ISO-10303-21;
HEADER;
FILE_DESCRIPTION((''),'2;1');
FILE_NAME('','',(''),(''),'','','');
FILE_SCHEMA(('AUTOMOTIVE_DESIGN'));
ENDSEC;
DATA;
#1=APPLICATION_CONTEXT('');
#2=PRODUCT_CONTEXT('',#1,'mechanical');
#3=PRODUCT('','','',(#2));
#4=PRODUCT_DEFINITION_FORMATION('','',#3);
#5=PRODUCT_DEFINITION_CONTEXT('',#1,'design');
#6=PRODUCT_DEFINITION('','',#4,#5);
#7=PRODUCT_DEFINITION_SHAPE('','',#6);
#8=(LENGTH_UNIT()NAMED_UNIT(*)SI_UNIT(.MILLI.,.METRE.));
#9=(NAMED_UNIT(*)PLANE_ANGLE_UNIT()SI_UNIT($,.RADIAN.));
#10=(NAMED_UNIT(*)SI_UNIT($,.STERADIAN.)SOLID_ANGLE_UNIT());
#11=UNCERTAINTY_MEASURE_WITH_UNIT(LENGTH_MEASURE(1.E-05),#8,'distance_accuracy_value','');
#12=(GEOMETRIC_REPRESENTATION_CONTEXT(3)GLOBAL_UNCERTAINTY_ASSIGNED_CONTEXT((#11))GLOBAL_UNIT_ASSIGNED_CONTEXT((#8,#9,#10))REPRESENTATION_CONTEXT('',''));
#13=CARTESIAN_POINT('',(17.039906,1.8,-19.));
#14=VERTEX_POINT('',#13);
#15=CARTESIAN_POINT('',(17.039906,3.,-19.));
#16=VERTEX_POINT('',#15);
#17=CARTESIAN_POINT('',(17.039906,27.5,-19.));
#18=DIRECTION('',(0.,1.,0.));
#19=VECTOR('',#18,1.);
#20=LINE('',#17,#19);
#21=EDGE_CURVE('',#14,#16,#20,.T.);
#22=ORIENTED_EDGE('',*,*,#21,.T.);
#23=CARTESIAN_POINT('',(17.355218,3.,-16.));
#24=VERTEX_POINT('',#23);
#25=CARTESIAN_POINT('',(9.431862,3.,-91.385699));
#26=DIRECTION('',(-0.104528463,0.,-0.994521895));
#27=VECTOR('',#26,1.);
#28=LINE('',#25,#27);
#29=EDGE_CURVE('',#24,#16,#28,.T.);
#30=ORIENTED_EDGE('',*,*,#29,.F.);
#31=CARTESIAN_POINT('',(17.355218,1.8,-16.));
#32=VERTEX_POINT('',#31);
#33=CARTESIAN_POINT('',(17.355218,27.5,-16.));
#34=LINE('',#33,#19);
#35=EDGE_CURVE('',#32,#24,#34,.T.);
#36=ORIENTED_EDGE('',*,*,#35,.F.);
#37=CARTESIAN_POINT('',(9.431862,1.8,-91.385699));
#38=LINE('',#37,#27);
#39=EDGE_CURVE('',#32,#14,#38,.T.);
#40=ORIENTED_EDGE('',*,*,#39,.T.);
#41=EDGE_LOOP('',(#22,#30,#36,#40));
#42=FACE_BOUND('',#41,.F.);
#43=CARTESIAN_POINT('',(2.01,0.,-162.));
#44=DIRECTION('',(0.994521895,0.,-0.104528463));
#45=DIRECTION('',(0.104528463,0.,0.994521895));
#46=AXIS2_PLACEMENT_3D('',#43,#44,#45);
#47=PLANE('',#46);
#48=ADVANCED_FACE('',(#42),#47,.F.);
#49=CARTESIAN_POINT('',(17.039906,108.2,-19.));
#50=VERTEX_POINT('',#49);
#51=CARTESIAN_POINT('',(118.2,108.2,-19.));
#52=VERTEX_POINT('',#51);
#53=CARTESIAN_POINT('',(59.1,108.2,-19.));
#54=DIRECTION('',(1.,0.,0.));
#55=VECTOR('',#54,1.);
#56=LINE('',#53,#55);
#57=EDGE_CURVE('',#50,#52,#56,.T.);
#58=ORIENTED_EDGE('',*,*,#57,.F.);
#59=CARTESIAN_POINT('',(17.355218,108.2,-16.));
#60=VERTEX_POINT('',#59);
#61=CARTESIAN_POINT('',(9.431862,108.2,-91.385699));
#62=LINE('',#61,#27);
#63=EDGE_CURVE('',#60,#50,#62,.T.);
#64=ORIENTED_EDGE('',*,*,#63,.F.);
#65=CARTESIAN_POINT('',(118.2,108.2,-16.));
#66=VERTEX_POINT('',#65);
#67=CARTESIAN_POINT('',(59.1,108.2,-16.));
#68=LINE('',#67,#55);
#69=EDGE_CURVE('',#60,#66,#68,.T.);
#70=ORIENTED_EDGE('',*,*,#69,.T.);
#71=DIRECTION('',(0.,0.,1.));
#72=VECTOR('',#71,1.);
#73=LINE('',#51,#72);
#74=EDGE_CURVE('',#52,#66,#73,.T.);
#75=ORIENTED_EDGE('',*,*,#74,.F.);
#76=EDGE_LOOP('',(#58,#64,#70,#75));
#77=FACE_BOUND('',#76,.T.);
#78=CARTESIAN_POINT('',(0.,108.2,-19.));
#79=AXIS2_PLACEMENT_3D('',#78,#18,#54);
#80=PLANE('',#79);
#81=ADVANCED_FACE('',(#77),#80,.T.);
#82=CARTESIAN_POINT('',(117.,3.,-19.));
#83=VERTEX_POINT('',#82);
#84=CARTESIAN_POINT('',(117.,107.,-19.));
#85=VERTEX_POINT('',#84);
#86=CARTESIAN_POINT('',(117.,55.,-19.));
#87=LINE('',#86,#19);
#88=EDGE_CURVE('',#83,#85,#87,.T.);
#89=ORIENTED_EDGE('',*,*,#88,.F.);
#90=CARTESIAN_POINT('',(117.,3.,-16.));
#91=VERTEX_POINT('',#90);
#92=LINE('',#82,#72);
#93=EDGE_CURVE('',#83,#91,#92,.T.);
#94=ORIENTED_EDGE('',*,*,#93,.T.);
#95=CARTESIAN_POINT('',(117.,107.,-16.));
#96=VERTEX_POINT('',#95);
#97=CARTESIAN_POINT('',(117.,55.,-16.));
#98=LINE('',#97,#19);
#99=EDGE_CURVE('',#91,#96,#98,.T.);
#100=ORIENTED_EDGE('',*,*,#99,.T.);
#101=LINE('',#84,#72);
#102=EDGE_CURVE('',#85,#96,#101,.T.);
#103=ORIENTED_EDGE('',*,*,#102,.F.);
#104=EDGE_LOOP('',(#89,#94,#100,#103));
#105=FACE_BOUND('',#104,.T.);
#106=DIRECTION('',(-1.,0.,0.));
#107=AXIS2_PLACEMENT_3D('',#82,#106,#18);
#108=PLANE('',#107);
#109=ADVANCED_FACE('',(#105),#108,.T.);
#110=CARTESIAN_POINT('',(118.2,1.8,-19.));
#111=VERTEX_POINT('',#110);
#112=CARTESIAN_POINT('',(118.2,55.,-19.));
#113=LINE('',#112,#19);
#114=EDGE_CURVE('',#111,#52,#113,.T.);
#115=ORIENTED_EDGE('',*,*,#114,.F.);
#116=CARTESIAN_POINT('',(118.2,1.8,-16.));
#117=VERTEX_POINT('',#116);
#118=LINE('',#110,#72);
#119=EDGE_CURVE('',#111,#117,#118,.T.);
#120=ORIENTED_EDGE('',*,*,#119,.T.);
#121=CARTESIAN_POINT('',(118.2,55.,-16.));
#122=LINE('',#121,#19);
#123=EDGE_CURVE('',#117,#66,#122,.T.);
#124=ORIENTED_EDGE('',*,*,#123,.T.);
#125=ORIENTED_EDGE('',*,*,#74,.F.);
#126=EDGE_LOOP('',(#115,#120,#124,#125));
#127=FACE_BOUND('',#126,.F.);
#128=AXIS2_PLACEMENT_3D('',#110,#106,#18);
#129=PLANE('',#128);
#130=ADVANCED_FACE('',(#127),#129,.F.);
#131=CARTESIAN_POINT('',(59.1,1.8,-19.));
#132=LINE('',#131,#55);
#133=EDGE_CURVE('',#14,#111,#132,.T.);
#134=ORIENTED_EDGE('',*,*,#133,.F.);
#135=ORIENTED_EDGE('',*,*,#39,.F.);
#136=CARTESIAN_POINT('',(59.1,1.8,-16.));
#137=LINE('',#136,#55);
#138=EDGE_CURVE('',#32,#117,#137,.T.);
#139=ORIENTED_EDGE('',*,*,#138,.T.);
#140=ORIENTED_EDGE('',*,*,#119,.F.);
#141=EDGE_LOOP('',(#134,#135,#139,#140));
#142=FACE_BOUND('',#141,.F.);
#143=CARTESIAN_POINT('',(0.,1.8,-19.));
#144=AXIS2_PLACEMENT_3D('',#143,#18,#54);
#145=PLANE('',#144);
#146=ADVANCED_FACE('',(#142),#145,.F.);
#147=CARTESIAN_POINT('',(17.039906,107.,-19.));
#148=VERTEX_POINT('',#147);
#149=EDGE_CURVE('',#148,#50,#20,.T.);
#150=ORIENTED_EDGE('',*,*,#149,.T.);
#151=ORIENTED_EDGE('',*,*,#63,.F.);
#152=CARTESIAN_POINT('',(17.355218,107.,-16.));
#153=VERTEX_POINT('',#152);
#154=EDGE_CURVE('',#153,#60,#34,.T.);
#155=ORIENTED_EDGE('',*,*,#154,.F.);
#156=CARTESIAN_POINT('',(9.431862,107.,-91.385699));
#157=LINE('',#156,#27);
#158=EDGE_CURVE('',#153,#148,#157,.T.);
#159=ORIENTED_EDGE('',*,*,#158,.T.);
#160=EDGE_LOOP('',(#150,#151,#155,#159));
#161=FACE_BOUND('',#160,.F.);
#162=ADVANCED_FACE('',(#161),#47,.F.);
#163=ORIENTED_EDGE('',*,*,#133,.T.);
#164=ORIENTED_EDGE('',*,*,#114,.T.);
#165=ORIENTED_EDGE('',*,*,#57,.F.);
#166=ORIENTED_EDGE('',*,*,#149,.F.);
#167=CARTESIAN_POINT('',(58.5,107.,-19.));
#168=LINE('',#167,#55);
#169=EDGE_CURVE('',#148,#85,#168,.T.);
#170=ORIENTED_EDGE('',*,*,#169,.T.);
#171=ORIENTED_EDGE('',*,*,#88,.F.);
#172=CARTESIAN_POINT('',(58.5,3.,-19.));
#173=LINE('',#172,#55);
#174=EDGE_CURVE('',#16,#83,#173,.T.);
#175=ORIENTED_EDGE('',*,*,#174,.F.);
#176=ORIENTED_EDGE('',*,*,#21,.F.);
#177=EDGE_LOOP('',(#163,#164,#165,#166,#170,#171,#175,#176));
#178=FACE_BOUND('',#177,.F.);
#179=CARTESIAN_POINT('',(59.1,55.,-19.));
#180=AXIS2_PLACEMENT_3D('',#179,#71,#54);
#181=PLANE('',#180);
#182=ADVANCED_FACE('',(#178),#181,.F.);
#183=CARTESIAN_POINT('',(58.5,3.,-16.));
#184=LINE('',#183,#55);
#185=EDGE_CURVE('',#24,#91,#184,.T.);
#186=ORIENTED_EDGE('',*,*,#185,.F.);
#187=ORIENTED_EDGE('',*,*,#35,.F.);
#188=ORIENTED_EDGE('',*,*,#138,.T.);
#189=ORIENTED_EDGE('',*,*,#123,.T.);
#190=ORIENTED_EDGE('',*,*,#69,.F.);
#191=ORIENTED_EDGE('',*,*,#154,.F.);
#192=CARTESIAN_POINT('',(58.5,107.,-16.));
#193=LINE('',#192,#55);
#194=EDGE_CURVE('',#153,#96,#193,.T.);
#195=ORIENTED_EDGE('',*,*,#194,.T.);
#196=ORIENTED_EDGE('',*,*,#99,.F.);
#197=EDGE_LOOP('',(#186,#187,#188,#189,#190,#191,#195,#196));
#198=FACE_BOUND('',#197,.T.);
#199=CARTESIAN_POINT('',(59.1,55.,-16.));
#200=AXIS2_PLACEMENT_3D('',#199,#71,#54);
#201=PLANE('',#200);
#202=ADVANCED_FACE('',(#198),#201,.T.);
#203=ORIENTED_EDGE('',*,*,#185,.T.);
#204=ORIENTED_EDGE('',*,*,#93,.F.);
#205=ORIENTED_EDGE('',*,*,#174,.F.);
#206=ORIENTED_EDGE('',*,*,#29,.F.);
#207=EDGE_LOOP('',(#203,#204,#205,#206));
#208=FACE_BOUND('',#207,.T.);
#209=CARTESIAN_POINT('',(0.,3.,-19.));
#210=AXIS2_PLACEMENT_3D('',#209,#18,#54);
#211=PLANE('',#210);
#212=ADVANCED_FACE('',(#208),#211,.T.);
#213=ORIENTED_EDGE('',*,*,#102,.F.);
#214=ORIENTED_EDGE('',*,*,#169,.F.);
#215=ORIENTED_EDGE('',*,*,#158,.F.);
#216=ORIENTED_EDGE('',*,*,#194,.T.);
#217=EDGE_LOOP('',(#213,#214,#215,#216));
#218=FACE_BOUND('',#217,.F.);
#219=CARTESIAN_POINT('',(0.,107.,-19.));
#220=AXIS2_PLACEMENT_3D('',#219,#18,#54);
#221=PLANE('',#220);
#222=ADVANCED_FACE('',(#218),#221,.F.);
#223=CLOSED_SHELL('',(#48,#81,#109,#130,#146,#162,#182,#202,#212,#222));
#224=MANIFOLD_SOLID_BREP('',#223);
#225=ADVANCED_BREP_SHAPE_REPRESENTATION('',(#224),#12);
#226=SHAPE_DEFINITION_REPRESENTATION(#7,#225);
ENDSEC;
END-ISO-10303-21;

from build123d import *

# Parameters (mm, degrees)
PAD006_DEPTH = 110
BOX051_W     = 117
BOX051_H     = 104
BOX051_DEPTH = 3
BOX050_W     = 118.2
BOX050_H     = 106.4
BOX050_DEPTH = 3


with BuildPart() as body004:
    # CopySketch011 → Pad006 (new body)
    with BuildSketch(Plane(origin=(0, 0, -162), x_dir=(1, 0, 0), z_dir=(0, -1, 0))):
        Polygon((0, 0), (2.01, 0), (19.87772, 170), (0, 170), align=None)
    extrude(amount=-PAD006_DEPTH)


with BuildPart() as cube043:
    # Box051 → Box051 (new body)
    with BuildSketch(Plane(origin=(0, 1.2, 0), x_dir=(1, 0, 0), z_dir=(0, 0, 1))):
        with Locations((58.5, 52)):
            Rectangle(BOX051_W, BOX051_H)
    extrude(amount=BOX051_DEPTH)


with BuildPart() as deckel_rahmen_cut:
    # Box050 → Box050 (new body)
    with BuildSketch(Plane.XY):
        with Locations((59.1, 53.2)):
            Rectangle(BOX050_W, BOX050_H)
    extrude(amount=BOX050_DEPTH)

    # Cut050: cut Cube043
    add(cube043.part, mode=Mode.SUBTRACT)


with BuildPart() as deckel_rahmen_cut_1:
    # Cut050 placement: moved
    add(deckel_rahmen_cut.part.moved(Location((0, 1.8, -19))))

    # Cut051: cut Body004
    add(body004.part, mode=Mode.SUBTRACT)


solid = deckel_rahmen_cut_1.part
